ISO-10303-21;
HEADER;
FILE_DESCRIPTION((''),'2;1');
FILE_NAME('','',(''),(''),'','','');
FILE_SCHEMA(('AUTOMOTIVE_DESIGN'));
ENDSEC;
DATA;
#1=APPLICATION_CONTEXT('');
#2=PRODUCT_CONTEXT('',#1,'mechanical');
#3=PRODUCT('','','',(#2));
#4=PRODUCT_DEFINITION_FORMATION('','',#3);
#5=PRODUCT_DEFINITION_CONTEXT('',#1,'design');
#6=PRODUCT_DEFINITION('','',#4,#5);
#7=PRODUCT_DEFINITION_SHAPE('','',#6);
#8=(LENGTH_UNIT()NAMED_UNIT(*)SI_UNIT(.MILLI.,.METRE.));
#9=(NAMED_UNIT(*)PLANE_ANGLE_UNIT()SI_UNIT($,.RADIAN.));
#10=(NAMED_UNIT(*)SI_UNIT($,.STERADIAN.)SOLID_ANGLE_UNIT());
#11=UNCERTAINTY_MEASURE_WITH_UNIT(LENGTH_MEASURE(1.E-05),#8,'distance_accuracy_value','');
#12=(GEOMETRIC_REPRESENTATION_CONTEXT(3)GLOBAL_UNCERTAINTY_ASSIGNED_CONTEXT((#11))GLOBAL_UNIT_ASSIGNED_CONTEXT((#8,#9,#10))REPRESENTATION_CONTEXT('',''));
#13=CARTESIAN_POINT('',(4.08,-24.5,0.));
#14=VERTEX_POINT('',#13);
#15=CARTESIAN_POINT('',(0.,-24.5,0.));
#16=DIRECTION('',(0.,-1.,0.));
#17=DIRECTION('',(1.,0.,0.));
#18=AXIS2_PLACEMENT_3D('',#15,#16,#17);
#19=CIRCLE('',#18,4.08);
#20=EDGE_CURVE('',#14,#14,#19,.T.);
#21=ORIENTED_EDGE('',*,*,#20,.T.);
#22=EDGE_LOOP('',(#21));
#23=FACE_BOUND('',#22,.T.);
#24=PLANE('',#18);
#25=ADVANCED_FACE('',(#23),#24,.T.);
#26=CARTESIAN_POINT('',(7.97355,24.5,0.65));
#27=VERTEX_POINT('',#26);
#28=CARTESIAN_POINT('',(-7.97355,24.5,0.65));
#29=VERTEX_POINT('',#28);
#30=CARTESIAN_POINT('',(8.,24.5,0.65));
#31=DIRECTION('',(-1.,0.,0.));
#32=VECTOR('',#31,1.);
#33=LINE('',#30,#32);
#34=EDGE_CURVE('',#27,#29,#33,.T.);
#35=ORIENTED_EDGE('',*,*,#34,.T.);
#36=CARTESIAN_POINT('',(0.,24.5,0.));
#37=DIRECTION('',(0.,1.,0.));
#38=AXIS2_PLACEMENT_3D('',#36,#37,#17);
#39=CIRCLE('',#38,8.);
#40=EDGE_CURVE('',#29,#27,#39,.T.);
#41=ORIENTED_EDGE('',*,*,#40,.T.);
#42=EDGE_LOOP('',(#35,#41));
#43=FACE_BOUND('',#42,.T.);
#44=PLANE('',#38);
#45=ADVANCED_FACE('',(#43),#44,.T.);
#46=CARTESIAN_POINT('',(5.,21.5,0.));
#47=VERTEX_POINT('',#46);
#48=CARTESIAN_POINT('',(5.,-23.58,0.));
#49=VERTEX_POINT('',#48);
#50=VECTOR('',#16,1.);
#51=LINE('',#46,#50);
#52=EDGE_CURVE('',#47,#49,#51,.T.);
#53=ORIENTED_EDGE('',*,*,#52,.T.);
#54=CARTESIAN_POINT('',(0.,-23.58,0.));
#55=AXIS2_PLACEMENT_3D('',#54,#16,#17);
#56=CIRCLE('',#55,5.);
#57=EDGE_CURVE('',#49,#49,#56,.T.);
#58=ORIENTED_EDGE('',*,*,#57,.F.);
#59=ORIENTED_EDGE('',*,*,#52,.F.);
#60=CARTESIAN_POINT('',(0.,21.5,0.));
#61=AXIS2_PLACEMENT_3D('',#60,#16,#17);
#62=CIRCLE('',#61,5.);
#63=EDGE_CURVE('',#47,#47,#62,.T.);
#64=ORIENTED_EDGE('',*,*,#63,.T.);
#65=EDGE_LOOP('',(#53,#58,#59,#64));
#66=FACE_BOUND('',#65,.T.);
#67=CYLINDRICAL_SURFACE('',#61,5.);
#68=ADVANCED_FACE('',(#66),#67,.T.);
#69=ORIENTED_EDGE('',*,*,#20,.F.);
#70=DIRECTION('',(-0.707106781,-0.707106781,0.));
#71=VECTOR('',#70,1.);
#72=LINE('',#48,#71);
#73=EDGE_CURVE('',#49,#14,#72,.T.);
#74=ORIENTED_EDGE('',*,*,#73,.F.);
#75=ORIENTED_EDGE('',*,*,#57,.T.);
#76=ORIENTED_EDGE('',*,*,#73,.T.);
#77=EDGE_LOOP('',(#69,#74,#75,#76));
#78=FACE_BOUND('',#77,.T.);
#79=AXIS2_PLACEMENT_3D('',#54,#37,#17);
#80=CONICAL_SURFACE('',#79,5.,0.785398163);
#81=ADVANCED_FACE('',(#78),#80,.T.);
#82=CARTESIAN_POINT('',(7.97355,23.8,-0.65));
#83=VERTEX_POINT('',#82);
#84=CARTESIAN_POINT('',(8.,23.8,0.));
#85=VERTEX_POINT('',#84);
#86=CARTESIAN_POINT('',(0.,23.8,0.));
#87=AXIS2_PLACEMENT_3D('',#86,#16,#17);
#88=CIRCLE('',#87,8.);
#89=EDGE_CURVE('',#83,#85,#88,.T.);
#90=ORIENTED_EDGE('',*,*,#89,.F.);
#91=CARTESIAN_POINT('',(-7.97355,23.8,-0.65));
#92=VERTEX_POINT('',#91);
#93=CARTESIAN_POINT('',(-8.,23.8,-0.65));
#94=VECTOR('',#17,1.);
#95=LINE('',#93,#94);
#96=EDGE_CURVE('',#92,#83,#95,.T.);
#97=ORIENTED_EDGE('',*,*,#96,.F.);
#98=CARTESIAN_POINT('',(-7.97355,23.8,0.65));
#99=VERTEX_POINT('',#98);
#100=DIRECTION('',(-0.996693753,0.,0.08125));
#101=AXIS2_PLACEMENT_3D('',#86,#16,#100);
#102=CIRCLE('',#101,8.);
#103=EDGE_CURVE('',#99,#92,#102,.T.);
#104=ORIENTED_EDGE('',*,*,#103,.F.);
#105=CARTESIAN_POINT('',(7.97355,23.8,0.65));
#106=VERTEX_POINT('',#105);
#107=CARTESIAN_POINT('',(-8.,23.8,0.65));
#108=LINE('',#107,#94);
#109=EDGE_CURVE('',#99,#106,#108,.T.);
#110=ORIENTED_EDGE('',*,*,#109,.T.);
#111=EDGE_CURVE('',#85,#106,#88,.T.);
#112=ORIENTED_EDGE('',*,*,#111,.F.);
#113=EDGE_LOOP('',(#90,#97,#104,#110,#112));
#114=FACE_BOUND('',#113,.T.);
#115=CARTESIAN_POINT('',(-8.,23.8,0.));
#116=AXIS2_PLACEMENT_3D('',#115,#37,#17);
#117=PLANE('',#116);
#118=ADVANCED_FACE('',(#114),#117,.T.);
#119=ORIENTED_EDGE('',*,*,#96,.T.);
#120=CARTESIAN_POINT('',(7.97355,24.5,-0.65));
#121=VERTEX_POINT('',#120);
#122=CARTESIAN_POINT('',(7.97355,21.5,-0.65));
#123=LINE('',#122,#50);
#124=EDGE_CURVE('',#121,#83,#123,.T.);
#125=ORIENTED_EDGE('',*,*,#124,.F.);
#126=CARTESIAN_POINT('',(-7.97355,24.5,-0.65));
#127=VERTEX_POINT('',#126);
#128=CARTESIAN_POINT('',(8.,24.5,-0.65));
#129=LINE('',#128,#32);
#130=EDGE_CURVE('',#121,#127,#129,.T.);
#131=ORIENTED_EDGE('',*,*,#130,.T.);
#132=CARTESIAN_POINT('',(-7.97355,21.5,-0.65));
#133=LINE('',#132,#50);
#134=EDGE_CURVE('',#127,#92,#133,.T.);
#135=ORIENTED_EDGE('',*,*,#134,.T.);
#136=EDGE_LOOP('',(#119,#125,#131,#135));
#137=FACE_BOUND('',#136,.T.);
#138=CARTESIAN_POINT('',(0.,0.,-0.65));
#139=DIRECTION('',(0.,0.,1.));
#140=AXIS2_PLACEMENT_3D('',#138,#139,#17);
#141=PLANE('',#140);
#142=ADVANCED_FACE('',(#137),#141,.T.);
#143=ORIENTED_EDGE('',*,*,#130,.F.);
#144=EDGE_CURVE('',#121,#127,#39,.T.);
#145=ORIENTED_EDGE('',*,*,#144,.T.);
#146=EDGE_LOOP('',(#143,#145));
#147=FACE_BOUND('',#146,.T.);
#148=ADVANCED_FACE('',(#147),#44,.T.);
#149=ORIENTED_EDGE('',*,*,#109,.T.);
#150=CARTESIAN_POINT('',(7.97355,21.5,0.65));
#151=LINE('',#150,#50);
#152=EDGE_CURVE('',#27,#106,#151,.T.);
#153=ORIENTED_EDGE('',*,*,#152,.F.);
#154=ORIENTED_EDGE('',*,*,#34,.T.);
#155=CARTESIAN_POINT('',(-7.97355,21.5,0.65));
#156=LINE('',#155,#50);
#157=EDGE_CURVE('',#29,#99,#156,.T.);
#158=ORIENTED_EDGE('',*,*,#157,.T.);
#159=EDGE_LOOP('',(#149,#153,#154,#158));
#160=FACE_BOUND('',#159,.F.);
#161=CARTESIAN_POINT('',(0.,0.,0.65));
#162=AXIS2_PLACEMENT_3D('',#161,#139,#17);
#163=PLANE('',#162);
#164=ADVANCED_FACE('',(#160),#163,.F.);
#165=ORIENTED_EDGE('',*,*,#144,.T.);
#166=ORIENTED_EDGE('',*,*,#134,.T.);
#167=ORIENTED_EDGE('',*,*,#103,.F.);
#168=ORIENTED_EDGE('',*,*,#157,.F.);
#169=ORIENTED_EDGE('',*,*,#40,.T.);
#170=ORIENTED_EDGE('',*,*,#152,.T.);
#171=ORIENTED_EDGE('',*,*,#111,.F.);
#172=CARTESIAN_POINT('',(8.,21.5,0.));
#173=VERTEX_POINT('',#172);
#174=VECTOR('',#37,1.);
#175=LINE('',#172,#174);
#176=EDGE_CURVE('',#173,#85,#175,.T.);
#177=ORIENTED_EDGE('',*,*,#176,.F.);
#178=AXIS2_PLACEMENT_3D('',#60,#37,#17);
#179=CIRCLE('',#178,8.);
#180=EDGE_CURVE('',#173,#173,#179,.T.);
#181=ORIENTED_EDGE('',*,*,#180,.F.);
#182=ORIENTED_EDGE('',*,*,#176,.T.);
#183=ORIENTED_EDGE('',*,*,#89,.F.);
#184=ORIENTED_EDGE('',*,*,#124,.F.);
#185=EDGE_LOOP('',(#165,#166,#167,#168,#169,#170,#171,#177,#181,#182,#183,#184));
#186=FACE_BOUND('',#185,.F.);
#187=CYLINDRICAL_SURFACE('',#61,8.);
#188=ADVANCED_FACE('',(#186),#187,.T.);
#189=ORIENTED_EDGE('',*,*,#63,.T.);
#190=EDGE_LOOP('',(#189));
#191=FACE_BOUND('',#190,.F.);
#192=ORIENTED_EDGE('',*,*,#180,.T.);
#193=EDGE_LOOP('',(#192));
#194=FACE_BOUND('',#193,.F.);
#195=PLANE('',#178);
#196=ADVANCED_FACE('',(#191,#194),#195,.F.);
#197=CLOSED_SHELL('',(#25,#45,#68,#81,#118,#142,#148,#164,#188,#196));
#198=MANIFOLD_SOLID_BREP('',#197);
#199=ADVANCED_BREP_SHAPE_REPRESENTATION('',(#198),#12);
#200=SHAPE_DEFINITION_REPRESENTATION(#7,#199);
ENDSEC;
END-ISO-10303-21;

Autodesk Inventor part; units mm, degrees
sketch "Skizze_1" plane through (0, 21.5, 0) normal (0, 1, 0) x (1, 0, 0)
  circle A0 centre (0, 0) radius 8
extrude "Extrusion1" add sketch "Skizze_1" along normal blind 3
sketch "Skizze_3" plane through (0, 0, 0) normal (0, 0, 1) x (1, 0, 0)
  line L0 (-8, 24.5) -> (-8, 23.8)
  line L1 (-8, 23.8) -> (8, 23.8)
  line L2 (8, 23.8) -> (8, 24.5)
  line L3 (8, 24.5) -> (-8, 24.5)
extrude "Extrusion2" cut sketch "Skizze_3" along normal mid plane 1.3
sketch "Skizze_2" plane through (0, 0, 0) normal (0, 0, 1) x (1, 0, 0)
  line L0 (0, -24.5) -> (0, 21.5)
  line L1 (0, 21.5) -> (5, 21.5)
  line L2 (5, 21.5) -> (5, -23.58)
  line L3 (5, -23.58) -> (4.08, -24.5)
  line L4 (4.08, -24.5) -> (0, -24.5)
  line L5 (0, -24.5) -> (0, 21.5)
revolve "Revolution1" add sketch "Skizze_2" angle 360 about axis through (0, -24.5, 0) along (0, -1, 0)
thread "Thread1" size "M10x1.5" class "6g" standard "ISO Metric profile" length 14 offset 32
ref_plane "hebel_XY" through (0, 24.5, 0) normal (0, 1, 0) x (-1, 0, 0)
ref_plane "hebel_YZ" through (0, 24.5, 0) normal (-1, 0, 0) x (0, 0, 1)
ref_plane "hebel_ZX" through (0, 24.5, 0) normal (0, 0, 1) x (0, 1, 0)
properties part number "May Tec 1.63.14041/3_Clamping stud 40x40"
